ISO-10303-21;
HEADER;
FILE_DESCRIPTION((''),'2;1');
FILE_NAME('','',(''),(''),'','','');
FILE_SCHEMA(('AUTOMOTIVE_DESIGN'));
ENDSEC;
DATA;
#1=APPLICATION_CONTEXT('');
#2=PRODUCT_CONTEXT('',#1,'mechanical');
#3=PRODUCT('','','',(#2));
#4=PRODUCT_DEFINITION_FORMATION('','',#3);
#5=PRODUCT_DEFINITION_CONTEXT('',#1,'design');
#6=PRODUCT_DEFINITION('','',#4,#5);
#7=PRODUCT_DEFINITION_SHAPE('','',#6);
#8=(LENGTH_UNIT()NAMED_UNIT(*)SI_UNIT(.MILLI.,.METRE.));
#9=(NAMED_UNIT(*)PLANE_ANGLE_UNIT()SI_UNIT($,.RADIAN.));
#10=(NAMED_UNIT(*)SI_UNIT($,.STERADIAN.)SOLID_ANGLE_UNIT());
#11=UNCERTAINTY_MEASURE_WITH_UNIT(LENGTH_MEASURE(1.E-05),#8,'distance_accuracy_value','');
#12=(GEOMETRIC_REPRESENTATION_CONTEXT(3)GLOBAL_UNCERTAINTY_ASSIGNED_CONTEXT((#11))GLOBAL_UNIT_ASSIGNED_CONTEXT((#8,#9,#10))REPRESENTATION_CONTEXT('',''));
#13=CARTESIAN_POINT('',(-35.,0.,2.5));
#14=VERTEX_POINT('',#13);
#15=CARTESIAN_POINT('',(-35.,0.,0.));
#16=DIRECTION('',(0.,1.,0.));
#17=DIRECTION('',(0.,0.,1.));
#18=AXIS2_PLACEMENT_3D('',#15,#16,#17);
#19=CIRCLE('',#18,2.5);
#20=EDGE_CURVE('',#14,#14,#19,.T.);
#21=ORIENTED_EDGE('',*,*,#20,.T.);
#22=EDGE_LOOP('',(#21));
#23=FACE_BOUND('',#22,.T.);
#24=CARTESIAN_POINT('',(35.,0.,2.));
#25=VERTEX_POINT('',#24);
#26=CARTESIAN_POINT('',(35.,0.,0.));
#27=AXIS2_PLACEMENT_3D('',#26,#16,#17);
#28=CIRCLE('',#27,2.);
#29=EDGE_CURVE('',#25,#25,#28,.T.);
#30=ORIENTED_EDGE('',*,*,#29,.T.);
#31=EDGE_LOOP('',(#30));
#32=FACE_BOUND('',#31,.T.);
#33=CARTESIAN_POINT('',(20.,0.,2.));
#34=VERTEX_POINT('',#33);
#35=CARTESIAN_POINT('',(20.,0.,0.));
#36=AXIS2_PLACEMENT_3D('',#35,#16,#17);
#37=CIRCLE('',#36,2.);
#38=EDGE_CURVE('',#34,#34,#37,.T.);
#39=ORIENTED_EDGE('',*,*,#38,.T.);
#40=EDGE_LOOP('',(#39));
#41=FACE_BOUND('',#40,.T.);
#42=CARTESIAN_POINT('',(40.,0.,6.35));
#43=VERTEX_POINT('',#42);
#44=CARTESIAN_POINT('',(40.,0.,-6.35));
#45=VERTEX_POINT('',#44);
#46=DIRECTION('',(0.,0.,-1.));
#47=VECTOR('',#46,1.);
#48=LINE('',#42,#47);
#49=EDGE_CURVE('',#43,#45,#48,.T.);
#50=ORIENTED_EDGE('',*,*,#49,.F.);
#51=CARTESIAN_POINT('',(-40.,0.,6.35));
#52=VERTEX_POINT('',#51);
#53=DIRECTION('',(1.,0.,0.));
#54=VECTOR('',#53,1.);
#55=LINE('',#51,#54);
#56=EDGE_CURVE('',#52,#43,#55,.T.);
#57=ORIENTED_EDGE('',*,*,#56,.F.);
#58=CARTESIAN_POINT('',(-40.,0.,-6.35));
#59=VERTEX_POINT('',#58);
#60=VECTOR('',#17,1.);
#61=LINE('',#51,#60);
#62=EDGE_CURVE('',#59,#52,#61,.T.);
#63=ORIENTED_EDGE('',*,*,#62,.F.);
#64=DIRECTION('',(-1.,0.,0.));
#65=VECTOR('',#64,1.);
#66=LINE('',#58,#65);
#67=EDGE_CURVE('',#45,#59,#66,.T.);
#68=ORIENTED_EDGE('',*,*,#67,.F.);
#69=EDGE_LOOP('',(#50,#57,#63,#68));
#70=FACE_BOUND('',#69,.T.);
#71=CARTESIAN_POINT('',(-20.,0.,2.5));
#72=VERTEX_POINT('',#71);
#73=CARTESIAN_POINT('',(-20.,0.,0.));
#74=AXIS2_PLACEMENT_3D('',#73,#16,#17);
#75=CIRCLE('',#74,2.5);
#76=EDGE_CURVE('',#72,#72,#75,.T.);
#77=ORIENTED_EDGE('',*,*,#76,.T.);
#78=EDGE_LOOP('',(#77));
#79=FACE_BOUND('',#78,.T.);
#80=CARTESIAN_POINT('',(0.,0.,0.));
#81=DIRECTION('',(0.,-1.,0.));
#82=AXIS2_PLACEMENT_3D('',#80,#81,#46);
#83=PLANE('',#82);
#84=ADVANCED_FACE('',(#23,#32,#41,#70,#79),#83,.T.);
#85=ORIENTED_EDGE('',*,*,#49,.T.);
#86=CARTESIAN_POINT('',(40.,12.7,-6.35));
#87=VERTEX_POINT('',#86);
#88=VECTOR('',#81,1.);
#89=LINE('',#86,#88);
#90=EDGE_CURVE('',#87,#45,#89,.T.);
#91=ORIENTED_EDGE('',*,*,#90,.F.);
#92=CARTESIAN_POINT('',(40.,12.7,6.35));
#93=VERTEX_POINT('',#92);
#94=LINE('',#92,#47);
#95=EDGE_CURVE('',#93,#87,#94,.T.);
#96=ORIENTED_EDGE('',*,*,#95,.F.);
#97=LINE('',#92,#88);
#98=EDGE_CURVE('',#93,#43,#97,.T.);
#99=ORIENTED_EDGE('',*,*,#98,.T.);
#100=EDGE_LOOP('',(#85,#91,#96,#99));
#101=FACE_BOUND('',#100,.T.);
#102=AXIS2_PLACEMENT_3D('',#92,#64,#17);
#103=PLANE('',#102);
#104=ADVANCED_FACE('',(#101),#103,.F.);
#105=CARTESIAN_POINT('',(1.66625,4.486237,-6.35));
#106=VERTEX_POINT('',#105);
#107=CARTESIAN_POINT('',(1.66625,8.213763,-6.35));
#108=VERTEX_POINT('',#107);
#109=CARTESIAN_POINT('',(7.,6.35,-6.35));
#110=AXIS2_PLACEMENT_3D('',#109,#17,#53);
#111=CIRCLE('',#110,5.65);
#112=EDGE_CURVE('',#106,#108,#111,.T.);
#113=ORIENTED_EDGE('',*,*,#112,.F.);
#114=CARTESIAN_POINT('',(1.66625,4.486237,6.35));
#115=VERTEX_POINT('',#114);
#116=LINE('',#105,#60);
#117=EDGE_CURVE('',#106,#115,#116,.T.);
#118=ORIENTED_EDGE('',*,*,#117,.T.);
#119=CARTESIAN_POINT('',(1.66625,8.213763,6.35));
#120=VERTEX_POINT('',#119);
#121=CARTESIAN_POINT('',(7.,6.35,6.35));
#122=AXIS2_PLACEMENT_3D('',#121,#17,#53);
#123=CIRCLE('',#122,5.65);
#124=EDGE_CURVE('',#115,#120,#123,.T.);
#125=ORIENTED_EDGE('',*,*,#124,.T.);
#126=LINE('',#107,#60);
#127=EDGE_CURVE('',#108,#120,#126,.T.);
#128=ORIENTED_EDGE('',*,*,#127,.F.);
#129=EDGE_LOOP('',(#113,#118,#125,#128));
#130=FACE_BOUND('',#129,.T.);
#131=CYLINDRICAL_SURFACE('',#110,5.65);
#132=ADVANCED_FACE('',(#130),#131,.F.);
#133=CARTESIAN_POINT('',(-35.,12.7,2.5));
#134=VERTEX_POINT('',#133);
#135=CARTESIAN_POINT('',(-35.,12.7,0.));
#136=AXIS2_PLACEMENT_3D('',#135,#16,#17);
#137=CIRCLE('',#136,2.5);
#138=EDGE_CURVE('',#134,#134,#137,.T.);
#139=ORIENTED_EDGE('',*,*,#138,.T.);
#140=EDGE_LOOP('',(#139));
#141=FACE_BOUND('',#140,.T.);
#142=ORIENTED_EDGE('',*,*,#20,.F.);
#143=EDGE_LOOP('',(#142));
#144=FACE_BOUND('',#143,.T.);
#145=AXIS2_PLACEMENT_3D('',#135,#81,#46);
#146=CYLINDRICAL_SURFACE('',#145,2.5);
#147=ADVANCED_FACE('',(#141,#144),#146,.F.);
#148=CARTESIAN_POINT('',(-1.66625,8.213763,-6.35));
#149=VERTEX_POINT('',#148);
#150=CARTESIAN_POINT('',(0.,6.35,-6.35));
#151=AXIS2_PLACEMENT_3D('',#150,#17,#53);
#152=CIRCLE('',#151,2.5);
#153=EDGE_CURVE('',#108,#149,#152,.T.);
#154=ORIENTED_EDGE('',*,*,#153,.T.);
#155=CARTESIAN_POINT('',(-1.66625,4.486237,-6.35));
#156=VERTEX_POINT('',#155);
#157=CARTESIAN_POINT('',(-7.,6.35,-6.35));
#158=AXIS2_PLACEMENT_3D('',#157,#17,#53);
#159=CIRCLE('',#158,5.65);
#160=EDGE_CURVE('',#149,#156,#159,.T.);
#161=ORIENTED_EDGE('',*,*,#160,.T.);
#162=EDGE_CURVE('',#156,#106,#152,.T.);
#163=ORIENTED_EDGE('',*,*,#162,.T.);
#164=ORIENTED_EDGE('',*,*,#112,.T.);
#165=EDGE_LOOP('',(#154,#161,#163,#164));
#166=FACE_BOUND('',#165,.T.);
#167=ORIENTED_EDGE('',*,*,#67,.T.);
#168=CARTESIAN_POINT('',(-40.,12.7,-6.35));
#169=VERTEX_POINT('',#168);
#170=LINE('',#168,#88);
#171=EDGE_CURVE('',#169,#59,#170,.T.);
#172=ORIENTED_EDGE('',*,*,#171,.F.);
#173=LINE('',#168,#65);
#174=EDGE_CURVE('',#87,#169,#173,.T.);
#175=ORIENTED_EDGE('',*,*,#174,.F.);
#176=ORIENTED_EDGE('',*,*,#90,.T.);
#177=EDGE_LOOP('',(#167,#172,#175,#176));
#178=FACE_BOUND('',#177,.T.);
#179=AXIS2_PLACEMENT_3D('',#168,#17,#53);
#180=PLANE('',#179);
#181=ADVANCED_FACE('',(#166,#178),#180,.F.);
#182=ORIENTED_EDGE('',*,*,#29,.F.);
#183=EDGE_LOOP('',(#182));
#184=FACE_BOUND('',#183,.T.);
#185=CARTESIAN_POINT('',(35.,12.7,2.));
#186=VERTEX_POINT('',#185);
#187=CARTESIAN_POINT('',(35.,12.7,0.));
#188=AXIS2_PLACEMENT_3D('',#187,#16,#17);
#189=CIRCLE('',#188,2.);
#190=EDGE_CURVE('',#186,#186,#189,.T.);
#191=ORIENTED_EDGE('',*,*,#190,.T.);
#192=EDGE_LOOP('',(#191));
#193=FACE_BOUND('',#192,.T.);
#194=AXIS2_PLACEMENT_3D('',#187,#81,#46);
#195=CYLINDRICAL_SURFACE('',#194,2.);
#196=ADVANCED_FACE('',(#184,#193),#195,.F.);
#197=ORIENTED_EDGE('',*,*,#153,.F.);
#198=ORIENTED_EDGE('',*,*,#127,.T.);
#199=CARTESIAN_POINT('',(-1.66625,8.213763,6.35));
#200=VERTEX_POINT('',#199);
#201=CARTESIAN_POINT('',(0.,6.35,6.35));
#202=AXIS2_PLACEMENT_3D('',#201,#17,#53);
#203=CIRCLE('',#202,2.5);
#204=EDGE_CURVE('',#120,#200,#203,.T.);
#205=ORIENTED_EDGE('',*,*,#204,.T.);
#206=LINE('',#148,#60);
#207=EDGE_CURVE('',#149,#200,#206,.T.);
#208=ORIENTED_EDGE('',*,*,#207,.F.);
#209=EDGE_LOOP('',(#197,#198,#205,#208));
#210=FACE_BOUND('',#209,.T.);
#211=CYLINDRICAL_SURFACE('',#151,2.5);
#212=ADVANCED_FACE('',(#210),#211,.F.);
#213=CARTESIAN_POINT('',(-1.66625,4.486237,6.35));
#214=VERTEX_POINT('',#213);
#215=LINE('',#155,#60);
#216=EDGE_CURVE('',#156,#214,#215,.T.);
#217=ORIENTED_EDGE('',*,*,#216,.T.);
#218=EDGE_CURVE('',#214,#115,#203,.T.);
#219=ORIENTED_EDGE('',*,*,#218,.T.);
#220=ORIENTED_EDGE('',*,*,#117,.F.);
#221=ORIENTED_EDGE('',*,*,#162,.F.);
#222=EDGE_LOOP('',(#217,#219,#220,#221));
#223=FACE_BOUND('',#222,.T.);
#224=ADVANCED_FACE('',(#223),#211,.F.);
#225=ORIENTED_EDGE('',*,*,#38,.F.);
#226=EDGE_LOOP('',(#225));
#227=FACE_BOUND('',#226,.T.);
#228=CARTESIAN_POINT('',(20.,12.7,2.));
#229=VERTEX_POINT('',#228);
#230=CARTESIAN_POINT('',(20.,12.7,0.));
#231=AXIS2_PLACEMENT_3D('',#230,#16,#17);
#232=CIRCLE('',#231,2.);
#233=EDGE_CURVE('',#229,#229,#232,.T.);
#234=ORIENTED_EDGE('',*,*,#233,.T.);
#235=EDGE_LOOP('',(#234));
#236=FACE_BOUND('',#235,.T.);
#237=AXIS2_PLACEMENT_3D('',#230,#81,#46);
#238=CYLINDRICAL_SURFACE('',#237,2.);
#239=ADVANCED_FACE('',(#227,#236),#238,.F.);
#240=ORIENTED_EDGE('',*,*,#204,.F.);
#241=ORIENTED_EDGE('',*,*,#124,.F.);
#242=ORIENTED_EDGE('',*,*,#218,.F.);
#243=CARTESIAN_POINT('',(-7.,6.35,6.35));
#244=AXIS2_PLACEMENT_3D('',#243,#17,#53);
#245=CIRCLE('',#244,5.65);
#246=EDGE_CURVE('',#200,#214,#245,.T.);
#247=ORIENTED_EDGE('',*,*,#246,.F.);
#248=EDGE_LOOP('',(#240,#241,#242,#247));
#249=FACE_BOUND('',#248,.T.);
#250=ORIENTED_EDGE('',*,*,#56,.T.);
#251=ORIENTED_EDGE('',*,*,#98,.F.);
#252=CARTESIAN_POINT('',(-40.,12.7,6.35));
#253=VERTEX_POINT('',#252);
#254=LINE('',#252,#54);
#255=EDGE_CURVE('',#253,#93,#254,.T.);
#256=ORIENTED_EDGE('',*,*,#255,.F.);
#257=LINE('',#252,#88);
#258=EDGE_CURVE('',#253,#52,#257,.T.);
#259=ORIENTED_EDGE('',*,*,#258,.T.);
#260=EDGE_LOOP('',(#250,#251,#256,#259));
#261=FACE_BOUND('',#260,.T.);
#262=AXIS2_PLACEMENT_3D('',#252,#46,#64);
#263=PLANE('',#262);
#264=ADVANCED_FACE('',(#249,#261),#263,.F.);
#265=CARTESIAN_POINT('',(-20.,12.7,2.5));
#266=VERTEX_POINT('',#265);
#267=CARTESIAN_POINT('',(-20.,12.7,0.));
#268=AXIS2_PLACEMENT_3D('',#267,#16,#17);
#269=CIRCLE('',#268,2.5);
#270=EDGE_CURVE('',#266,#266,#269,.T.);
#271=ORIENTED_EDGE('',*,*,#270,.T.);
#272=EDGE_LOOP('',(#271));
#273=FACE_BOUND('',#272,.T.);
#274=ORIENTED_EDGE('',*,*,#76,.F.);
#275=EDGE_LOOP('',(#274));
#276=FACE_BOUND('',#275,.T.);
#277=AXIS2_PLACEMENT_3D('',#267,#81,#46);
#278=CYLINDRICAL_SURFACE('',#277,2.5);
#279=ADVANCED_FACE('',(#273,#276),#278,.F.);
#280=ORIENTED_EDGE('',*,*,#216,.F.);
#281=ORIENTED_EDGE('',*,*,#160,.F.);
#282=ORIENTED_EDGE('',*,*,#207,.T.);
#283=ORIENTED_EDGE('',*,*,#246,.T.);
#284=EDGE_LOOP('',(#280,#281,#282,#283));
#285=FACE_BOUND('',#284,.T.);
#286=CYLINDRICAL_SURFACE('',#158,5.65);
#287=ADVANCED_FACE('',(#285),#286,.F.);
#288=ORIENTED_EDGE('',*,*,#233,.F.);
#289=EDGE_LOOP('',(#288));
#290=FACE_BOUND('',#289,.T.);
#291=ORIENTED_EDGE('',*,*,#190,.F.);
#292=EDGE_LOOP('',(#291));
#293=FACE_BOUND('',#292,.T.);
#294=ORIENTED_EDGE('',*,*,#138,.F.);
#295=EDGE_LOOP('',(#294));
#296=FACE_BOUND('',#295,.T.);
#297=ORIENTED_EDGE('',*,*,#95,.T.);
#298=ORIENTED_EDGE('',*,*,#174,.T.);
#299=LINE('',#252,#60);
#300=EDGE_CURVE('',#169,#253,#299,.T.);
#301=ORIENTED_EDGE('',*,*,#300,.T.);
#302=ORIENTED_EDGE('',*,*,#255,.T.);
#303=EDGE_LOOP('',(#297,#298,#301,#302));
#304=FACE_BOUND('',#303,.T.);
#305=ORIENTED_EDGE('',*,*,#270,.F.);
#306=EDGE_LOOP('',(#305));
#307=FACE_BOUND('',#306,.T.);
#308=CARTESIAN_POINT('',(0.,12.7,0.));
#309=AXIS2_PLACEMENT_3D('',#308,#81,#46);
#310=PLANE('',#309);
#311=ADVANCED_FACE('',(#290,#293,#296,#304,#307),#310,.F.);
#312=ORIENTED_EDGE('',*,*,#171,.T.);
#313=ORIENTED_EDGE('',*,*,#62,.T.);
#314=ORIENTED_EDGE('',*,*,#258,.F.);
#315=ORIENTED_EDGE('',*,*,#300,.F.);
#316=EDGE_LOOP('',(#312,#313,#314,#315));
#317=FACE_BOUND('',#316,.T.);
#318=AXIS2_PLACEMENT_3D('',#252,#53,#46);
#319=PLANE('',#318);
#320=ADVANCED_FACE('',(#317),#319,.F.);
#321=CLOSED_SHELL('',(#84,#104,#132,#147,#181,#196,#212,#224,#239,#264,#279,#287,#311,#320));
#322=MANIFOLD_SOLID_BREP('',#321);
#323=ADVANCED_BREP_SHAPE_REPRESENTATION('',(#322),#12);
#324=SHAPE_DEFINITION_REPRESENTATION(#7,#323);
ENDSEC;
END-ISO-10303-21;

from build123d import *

# Parameters (mm, degrees)
SKETCH1_W           = 80
SKETCH1_H           = 12.7
SKETCH1_R           = 2.5
SKETCH1_R_2         = 2
BOSS_EXTRUDE1_DEPTH = 12.7
CUT_EXTRUDE1_DEPTH  = 44.847234804


with BuildPart() as part:
    # Sketch1 → Boss-Extrude1 (new body)
    with BuildSketch(Plane(origin=(0, 0, 0), x_dir=(1, 0, 0), z_dir=(0, 1, 0))):
        Rectangle(SKETCH1_W, SKETCH1_H)
        with Locations(Location((-35, 0, 0), (0, 0, 270))):
            Circle(SKETCH1_R, mode=Mode.SUBTRACT)
        with Locations(Location((-20, 0, 0), (0, 0, 270))):
            Circle(SKETCH1_R, mode=Mode.SUBTRACT)
        with Locations(Location((20, 0, 0), (0, 0, 270))):
            Circle(SKETCH1_R_2, mode=Mode.SUBTRACT)
        with Locations(Location((35, 0, 0), (0, 0, 270))):
            Circle(SKETCH1_R_2, mode=Mode.SUBTRACT)
    extrude(amount=BOSS_EXTRUDE1_DEPTH)

    # Sketch2 → Cut-Extrude1 (cut, through all)
    with BuildSketch(Plane.XY.offset(6.35)):
        with BuildLine():
            ThreePointArc((-1.66625, 8.213762575), (-12.65, 6.35), (-1.66625, 4.486237425))
            ThreePointArc((-1.66625, 4.486237425), (0, 3.85), (1.66625, 4.486237425))
            ThreePointArc((1.66625, 4.486237425), (12.65, 6.35), (1.66625, 8.213762575))
            ThreePointArc((1.66625, 8.213762575), (0, 8.85), (-1.66625, 8.213762575))
        make_face()
    extrude(amount=-CUT_EXTRUDE1_DEPTH, mode=Mode.SUBTRACT)


solid = part.part
